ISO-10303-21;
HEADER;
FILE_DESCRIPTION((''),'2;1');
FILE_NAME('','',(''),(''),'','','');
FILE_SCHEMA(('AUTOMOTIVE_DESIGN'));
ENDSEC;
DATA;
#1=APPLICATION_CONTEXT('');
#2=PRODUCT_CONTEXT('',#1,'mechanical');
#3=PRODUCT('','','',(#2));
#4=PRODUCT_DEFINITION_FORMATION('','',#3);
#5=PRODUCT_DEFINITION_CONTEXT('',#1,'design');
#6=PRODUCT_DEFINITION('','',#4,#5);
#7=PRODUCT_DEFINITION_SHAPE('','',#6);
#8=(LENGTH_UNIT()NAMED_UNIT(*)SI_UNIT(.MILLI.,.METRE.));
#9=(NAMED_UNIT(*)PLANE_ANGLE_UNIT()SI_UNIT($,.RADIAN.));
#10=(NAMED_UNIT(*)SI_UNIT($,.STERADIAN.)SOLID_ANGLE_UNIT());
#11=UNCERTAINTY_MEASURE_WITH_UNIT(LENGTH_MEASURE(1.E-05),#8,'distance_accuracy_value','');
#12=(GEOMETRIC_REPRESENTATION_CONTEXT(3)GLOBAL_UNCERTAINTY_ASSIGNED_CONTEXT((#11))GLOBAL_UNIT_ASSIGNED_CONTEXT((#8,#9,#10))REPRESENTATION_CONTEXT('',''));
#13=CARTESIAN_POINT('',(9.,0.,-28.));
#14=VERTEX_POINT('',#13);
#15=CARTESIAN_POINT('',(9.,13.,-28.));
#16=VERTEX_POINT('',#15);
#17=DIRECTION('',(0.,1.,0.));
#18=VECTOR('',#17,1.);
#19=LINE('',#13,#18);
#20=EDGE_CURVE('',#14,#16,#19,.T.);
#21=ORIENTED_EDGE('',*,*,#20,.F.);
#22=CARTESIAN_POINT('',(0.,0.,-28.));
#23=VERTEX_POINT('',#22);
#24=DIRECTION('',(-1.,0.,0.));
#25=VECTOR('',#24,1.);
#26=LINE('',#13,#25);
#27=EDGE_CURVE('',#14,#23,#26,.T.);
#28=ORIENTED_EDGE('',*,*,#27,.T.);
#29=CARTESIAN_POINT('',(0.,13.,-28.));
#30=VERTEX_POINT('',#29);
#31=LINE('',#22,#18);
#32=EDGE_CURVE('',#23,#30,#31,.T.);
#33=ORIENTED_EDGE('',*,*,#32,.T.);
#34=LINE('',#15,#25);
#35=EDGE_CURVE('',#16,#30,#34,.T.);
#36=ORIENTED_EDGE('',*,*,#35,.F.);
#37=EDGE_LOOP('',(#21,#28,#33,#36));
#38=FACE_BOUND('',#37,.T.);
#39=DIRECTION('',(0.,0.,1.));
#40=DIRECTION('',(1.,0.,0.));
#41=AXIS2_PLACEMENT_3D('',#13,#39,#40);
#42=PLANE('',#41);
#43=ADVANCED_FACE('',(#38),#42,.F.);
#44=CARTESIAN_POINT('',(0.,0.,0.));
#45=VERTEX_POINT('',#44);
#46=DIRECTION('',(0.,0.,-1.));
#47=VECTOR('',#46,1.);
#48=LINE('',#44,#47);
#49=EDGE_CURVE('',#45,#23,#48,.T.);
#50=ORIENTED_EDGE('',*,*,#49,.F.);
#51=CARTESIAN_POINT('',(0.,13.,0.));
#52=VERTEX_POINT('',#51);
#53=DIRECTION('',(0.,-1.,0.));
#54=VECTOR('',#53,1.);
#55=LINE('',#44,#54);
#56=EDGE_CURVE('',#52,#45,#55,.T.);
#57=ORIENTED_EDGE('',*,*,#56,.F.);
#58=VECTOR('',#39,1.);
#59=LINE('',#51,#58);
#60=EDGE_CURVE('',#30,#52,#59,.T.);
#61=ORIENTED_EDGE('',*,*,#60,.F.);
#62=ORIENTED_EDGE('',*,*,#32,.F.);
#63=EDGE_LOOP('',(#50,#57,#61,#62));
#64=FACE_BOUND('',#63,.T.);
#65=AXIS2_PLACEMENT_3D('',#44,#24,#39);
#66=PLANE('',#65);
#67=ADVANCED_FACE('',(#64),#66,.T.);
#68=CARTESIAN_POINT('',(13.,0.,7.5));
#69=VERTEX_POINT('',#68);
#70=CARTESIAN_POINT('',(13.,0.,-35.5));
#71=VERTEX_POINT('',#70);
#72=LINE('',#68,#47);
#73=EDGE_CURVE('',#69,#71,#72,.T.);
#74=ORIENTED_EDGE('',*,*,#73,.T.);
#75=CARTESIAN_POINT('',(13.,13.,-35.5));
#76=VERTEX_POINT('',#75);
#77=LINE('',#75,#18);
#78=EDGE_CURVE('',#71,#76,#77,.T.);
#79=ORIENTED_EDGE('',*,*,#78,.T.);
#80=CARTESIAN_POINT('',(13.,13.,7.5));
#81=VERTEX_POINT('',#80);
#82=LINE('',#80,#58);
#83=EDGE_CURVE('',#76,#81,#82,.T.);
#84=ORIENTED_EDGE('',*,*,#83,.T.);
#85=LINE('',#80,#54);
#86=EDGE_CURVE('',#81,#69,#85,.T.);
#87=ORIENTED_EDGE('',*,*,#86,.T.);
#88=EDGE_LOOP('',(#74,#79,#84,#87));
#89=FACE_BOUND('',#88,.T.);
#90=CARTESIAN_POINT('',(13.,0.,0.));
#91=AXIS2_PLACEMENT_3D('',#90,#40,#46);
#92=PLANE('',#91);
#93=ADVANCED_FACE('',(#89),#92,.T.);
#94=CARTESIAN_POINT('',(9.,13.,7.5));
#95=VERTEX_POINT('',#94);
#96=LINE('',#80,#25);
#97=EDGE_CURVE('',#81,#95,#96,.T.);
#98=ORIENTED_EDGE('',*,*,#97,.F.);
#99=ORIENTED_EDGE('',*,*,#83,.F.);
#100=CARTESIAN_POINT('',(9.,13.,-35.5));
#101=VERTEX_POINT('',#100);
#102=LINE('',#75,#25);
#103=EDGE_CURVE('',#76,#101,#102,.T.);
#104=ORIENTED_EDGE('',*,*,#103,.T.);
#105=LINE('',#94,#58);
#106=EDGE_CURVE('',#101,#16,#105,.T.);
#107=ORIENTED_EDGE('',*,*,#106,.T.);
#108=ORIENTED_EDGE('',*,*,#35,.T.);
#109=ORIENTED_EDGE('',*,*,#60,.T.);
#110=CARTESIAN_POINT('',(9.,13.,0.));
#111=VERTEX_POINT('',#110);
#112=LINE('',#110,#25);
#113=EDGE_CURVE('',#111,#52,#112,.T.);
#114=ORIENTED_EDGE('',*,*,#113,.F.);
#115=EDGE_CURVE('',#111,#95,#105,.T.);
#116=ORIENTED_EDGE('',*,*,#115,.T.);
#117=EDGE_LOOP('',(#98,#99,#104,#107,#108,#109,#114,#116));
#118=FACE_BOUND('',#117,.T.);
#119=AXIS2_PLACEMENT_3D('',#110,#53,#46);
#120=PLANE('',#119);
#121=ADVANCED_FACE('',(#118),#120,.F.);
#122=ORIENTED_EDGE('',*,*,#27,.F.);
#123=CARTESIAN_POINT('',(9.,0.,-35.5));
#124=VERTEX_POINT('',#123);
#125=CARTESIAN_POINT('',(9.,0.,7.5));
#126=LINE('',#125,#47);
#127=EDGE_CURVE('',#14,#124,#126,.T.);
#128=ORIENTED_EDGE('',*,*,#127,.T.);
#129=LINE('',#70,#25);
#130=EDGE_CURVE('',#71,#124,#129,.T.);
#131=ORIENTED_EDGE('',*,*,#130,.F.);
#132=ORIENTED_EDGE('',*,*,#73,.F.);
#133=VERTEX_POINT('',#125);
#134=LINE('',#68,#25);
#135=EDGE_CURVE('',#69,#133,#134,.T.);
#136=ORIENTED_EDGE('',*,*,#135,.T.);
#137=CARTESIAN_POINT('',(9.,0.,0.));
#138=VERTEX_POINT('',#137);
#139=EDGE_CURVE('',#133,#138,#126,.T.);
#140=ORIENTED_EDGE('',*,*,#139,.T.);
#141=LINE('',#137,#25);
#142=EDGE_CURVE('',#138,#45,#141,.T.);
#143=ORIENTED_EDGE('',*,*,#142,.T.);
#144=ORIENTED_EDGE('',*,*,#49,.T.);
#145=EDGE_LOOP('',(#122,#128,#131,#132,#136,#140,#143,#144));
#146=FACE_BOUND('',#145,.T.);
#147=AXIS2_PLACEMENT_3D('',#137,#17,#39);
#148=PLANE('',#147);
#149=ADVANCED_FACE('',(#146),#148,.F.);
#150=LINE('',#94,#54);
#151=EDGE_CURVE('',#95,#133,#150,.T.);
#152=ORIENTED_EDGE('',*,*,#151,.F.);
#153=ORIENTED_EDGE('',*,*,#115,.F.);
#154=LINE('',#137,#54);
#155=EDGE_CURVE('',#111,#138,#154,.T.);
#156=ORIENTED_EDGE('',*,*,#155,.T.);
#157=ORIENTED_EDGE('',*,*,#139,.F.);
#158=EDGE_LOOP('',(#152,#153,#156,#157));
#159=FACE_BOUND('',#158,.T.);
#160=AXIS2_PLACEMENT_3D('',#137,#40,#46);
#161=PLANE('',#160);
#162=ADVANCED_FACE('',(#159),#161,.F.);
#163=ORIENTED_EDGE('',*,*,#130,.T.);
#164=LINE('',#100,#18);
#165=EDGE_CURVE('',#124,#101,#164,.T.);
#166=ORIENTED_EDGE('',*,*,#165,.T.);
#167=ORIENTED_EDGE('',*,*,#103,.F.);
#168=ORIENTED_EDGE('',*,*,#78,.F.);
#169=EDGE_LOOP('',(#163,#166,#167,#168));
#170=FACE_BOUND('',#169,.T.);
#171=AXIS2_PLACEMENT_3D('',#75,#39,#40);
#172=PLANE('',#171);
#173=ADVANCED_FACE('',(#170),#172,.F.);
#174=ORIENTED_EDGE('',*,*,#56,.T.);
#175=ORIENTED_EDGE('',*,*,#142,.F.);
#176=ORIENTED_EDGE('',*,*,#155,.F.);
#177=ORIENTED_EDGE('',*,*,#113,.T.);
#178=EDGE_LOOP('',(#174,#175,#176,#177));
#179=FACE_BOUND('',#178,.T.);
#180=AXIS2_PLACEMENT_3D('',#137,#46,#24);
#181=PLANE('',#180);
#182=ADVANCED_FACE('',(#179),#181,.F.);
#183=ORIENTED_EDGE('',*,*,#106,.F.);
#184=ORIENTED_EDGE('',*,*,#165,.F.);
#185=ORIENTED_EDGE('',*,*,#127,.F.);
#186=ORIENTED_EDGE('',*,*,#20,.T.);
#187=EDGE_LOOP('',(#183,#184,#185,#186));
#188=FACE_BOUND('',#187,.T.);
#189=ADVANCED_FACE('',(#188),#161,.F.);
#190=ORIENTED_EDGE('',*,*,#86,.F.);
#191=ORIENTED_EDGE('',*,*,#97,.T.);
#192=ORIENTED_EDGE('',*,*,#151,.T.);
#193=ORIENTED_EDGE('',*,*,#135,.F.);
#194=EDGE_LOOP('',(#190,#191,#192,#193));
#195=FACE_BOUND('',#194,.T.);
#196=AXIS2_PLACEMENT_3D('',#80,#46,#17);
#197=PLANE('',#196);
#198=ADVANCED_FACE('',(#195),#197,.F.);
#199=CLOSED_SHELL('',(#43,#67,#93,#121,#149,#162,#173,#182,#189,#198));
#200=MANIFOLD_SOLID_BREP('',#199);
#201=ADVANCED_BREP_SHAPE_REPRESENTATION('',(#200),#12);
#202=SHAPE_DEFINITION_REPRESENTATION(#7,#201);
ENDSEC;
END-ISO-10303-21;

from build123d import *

# Parameters (mm, degrees)
CROQUIS1_W              = 28
CROQUIS1_H              = 13
SALIENTE_EXTRUIR1_DEPTH = 9
CROQUIS2_W              = 43
CROQUIS2_H              = 13
SALIENTE_EXTRUIR2_DEPTH = 4


with BuildPart() as part:
    # Croquis1 → Saliente-Extruir1 (new body)
    with BuildSketch(Plane(origin=(0, 0, 0), x_dir=(0, 0, -1), z_dir=(1, 0, 0))):
        with Locations((14, 6.5)):
            Rectangle(CROQUIS1_W, CROQUIS1_H)
    extrude(amount=SALIENTE_EXTRUIR1_DEPTH)

    # Croquis2 → Saliente-Extruir2 (add)
    with BuildSketch(Plane(origin=(9, 0, 0), x_dir=(0, 0, -1), z_dir=(1, 0, 0))):
        with Locations((14, 6.5)):
            Rectangle(CROQUIS2_W, CROQUIS2_H)
    extrude(amount=SALIENTE_EXTRUIR2_DEPTH)


solid = part.part
